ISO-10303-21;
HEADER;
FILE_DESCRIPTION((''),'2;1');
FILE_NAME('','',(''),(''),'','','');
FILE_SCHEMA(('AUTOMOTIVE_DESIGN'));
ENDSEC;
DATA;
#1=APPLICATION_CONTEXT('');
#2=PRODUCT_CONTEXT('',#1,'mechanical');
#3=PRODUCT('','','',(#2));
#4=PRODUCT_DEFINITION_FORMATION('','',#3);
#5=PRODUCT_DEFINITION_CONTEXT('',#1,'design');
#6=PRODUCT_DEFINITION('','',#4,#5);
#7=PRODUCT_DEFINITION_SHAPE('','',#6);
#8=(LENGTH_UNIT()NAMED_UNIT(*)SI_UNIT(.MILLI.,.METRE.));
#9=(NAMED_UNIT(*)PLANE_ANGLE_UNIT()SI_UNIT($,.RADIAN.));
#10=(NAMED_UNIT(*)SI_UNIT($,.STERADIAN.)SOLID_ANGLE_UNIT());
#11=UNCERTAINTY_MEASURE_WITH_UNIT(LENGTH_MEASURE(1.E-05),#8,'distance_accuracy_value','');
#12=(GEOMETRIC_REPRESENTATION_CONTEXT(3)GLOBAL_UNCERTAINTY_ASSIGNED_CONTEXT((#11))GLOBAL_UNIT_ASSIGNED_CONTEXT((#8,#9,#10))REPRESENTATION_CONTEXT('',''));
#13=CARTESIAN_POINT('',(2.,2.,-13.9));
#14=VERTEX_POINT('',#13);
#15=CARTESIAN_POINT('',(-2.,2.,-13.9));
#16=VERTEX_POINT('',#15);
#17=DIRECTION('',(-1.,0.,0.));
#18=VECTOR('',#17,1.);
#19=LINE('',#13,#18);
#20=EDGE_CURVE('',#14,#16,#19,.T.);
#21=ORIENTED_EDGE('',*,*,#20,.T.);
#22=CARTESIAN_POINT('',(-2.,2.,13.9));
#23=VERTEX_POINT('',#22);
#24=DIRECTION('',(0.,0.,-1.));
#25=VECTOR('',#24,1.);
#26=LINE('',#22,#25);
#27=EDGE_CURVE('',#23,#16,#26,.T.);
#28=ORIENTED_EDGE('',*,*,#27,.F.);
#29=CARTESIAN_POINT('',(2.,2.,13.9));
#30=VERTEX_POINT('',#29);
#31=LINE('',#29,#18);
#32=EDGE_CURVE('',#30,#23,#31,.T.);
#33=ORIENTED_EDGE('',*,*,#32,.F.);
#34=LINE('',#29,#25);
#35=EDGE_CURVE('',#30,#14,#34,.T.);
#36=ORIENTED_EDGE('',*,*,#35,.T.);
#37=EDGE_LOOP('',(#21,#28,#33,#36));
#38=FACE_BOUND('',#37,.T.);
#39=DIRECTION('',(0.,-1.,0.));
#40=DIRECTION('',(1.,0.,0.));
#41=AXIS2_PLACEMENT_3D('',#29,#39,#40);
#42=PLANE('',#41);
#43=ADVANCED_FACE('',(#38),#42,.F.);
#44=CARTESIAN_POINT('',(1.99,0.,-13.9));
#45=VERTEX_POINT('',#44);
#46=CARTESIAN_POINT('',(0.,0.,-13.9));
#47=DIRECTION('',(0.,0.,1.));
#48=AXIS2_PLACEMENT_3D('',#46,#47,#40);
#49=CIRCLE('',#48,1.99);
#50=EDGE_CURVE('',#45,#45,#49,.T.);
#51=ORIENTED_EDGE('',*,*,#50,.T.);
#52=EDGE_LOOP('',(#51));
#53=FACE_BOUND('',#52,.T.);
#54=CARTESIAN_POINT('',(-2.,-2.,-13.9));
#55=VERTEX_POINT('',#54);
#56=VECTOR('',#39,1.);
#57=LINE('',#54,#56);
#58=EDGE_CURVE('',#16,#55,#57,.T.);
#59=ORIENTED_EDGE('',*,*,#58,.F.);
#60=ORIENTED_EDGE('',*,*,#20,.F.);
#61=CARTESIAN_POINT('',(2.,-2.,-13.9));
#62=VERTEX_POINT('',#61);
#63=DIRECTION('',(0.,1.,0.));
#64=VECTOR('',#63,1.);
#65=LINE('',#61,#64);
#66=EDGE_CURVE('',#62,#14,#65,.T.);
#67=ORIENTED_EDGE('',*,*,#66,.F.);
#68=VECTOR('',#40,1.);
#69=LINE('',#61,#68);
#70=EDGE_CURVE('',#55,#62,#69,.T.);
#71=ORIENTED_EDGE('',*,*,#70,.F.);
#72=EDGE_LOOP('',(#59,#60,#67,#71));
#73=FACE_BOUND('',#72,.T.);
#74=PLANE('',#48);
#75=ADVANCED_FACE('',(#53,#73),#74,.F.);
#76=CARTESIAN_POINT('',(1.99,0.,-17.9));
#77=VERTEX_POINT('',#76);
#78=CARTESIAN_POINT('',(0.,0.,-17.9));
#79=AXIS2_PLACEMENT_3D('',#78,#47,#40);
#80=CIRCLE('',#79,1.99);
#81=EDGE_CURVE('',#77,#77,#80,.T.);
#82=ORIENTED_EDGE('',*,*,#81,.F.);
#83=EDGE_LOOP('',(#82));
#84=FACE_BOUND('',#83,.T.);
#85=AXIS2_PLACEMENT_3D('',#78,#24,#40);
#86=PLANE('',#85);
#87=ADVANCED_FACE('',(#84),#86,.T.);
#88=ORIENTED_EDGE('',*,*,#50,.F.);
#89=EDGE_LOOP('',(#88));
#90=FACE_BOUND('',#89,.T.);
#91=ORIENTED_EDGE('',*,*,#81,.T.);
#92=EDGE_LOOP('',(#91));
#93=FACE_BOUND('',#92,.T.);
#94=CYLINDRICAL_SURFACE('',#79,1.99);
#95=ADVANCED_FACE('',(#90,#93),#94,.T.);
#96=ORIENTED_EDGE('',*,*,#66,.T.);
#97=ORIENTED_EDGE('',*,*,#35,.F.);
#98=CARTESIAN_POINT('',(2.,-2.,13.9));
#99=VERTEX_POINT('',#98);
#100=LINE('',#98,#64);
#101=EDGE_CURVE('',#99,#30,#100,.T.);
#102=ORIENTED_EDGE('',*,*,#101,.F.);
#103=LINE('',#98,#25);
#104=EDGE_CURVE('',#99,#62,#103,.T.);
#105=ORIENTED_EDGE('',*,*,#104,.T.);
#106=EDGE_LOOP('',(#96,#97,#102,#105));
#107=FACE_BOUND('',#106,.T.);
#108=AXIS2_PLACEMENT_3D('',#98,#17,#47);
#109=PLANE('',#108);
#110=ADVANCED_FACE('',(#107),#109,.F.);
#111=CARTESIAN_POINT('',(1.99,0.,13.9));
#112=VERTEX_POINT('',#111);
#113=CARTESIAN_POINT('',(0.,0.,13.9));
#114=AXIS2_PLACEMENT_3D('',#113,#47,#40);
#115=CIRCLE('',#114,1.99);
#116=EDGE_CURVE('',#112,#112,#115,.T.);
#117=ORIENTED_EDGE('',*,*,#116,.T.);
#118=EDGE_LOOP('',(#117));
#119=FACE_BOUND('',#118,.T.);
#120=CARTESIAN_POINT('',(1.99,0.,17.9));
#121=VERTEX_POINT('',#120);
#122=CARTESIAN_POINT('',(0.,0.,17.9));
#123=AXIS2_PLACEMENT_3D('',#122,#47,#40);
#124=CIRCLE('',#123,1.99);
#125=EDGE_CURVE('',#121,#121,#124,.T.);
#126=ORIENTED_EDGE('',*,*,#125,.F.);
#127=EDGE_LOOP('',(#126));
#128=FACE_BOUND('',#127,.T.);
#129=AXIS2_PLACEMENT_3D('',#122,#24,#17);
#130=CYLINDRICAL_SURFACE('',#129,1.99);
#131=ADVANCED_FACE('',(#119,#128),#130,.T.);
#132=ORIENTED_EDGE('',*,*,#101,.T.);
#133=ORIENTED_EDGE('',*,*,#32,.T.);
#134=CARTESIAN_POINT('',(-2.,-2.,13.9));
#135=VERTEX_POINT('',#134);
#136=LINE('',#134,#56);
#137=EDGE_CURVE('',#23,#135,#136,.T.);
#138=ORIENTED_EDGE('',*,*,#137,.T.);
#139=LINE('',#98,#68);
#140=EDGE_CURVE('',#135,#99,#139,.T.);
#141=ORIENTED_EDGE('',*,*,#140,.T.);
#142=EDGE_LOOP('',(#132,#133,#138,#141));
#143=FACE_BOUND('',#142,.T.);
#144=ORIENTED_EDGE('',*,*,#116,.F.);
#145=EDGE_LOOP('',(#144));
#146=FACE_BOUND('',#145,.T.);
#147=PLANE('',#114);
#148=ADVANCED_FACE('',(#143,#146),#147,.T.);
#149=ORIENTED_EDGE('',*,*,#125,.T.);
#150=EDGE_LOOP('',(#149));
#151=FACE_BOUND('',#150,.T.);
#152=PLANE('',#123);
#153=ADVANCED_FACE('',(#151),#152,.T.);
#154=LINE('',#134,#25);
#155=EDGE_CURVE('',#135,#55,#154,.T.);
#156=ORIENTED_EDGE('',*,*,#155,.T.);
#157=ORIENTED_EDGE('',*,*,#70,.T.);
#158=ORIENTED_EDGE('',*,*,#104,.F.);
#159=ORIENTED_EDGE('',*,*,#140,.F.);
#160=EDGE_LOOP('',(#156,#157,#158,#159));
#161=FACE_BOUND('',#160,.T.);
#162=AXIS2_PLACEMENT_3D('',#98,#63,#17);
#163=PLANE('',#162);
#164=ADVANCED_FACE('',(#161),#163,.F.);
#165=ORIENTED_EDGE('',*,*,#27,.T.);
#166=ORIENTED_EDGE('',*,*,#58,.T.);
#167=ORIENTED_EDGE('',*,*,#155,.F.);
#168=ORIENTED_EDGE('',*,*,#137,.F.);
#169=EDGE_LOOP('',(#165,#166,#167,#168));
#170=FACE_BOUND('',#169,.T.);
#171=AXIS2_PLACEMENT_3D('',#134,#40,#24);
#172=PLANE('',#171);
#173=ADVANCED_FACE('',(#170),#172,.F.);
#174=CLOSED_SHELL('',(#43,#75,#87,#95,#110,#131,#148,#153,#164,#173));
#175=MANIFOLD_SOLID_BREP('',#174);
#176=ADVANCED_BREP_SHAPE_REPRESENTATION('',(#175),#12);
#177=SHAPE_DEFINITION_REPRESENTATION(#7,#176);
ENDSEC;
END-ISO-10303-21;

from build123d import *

# Parameters (mm, degrees)
SKETCH1_W           = 4
SKETCH1_H           = 4
BOSS_EXTRUDE1_DEPTH = 13.9
SKETCH2_R           = 1.99
BOSS_EXTRUDE2_DEPTH = 4


with BuildPart() as part:
    # Sketch1 → Boss-Extrude1 (new, symmetric)
    with BuildSketch(Plane.XY):
        Rectangle(SKETCH1_W, SKETCH1_H)
    extrude(amount=BOSS_EXTRUDE1_DEPTH, both=True)

    # Sketch2 → Boss-Extrude2 (add)
    with BuildSketch(Plane.XY.offset(13.9)):
        Circle(SKETCH2_R)
    boss_extrude2 = extrude(amount=BOSS_EXTRUDE2_DEPTH)

    # Mirror2: Boss-Extrude2 across plane
    add(boss_extrude2.mirror(Plane.XY))


solid = part.part
